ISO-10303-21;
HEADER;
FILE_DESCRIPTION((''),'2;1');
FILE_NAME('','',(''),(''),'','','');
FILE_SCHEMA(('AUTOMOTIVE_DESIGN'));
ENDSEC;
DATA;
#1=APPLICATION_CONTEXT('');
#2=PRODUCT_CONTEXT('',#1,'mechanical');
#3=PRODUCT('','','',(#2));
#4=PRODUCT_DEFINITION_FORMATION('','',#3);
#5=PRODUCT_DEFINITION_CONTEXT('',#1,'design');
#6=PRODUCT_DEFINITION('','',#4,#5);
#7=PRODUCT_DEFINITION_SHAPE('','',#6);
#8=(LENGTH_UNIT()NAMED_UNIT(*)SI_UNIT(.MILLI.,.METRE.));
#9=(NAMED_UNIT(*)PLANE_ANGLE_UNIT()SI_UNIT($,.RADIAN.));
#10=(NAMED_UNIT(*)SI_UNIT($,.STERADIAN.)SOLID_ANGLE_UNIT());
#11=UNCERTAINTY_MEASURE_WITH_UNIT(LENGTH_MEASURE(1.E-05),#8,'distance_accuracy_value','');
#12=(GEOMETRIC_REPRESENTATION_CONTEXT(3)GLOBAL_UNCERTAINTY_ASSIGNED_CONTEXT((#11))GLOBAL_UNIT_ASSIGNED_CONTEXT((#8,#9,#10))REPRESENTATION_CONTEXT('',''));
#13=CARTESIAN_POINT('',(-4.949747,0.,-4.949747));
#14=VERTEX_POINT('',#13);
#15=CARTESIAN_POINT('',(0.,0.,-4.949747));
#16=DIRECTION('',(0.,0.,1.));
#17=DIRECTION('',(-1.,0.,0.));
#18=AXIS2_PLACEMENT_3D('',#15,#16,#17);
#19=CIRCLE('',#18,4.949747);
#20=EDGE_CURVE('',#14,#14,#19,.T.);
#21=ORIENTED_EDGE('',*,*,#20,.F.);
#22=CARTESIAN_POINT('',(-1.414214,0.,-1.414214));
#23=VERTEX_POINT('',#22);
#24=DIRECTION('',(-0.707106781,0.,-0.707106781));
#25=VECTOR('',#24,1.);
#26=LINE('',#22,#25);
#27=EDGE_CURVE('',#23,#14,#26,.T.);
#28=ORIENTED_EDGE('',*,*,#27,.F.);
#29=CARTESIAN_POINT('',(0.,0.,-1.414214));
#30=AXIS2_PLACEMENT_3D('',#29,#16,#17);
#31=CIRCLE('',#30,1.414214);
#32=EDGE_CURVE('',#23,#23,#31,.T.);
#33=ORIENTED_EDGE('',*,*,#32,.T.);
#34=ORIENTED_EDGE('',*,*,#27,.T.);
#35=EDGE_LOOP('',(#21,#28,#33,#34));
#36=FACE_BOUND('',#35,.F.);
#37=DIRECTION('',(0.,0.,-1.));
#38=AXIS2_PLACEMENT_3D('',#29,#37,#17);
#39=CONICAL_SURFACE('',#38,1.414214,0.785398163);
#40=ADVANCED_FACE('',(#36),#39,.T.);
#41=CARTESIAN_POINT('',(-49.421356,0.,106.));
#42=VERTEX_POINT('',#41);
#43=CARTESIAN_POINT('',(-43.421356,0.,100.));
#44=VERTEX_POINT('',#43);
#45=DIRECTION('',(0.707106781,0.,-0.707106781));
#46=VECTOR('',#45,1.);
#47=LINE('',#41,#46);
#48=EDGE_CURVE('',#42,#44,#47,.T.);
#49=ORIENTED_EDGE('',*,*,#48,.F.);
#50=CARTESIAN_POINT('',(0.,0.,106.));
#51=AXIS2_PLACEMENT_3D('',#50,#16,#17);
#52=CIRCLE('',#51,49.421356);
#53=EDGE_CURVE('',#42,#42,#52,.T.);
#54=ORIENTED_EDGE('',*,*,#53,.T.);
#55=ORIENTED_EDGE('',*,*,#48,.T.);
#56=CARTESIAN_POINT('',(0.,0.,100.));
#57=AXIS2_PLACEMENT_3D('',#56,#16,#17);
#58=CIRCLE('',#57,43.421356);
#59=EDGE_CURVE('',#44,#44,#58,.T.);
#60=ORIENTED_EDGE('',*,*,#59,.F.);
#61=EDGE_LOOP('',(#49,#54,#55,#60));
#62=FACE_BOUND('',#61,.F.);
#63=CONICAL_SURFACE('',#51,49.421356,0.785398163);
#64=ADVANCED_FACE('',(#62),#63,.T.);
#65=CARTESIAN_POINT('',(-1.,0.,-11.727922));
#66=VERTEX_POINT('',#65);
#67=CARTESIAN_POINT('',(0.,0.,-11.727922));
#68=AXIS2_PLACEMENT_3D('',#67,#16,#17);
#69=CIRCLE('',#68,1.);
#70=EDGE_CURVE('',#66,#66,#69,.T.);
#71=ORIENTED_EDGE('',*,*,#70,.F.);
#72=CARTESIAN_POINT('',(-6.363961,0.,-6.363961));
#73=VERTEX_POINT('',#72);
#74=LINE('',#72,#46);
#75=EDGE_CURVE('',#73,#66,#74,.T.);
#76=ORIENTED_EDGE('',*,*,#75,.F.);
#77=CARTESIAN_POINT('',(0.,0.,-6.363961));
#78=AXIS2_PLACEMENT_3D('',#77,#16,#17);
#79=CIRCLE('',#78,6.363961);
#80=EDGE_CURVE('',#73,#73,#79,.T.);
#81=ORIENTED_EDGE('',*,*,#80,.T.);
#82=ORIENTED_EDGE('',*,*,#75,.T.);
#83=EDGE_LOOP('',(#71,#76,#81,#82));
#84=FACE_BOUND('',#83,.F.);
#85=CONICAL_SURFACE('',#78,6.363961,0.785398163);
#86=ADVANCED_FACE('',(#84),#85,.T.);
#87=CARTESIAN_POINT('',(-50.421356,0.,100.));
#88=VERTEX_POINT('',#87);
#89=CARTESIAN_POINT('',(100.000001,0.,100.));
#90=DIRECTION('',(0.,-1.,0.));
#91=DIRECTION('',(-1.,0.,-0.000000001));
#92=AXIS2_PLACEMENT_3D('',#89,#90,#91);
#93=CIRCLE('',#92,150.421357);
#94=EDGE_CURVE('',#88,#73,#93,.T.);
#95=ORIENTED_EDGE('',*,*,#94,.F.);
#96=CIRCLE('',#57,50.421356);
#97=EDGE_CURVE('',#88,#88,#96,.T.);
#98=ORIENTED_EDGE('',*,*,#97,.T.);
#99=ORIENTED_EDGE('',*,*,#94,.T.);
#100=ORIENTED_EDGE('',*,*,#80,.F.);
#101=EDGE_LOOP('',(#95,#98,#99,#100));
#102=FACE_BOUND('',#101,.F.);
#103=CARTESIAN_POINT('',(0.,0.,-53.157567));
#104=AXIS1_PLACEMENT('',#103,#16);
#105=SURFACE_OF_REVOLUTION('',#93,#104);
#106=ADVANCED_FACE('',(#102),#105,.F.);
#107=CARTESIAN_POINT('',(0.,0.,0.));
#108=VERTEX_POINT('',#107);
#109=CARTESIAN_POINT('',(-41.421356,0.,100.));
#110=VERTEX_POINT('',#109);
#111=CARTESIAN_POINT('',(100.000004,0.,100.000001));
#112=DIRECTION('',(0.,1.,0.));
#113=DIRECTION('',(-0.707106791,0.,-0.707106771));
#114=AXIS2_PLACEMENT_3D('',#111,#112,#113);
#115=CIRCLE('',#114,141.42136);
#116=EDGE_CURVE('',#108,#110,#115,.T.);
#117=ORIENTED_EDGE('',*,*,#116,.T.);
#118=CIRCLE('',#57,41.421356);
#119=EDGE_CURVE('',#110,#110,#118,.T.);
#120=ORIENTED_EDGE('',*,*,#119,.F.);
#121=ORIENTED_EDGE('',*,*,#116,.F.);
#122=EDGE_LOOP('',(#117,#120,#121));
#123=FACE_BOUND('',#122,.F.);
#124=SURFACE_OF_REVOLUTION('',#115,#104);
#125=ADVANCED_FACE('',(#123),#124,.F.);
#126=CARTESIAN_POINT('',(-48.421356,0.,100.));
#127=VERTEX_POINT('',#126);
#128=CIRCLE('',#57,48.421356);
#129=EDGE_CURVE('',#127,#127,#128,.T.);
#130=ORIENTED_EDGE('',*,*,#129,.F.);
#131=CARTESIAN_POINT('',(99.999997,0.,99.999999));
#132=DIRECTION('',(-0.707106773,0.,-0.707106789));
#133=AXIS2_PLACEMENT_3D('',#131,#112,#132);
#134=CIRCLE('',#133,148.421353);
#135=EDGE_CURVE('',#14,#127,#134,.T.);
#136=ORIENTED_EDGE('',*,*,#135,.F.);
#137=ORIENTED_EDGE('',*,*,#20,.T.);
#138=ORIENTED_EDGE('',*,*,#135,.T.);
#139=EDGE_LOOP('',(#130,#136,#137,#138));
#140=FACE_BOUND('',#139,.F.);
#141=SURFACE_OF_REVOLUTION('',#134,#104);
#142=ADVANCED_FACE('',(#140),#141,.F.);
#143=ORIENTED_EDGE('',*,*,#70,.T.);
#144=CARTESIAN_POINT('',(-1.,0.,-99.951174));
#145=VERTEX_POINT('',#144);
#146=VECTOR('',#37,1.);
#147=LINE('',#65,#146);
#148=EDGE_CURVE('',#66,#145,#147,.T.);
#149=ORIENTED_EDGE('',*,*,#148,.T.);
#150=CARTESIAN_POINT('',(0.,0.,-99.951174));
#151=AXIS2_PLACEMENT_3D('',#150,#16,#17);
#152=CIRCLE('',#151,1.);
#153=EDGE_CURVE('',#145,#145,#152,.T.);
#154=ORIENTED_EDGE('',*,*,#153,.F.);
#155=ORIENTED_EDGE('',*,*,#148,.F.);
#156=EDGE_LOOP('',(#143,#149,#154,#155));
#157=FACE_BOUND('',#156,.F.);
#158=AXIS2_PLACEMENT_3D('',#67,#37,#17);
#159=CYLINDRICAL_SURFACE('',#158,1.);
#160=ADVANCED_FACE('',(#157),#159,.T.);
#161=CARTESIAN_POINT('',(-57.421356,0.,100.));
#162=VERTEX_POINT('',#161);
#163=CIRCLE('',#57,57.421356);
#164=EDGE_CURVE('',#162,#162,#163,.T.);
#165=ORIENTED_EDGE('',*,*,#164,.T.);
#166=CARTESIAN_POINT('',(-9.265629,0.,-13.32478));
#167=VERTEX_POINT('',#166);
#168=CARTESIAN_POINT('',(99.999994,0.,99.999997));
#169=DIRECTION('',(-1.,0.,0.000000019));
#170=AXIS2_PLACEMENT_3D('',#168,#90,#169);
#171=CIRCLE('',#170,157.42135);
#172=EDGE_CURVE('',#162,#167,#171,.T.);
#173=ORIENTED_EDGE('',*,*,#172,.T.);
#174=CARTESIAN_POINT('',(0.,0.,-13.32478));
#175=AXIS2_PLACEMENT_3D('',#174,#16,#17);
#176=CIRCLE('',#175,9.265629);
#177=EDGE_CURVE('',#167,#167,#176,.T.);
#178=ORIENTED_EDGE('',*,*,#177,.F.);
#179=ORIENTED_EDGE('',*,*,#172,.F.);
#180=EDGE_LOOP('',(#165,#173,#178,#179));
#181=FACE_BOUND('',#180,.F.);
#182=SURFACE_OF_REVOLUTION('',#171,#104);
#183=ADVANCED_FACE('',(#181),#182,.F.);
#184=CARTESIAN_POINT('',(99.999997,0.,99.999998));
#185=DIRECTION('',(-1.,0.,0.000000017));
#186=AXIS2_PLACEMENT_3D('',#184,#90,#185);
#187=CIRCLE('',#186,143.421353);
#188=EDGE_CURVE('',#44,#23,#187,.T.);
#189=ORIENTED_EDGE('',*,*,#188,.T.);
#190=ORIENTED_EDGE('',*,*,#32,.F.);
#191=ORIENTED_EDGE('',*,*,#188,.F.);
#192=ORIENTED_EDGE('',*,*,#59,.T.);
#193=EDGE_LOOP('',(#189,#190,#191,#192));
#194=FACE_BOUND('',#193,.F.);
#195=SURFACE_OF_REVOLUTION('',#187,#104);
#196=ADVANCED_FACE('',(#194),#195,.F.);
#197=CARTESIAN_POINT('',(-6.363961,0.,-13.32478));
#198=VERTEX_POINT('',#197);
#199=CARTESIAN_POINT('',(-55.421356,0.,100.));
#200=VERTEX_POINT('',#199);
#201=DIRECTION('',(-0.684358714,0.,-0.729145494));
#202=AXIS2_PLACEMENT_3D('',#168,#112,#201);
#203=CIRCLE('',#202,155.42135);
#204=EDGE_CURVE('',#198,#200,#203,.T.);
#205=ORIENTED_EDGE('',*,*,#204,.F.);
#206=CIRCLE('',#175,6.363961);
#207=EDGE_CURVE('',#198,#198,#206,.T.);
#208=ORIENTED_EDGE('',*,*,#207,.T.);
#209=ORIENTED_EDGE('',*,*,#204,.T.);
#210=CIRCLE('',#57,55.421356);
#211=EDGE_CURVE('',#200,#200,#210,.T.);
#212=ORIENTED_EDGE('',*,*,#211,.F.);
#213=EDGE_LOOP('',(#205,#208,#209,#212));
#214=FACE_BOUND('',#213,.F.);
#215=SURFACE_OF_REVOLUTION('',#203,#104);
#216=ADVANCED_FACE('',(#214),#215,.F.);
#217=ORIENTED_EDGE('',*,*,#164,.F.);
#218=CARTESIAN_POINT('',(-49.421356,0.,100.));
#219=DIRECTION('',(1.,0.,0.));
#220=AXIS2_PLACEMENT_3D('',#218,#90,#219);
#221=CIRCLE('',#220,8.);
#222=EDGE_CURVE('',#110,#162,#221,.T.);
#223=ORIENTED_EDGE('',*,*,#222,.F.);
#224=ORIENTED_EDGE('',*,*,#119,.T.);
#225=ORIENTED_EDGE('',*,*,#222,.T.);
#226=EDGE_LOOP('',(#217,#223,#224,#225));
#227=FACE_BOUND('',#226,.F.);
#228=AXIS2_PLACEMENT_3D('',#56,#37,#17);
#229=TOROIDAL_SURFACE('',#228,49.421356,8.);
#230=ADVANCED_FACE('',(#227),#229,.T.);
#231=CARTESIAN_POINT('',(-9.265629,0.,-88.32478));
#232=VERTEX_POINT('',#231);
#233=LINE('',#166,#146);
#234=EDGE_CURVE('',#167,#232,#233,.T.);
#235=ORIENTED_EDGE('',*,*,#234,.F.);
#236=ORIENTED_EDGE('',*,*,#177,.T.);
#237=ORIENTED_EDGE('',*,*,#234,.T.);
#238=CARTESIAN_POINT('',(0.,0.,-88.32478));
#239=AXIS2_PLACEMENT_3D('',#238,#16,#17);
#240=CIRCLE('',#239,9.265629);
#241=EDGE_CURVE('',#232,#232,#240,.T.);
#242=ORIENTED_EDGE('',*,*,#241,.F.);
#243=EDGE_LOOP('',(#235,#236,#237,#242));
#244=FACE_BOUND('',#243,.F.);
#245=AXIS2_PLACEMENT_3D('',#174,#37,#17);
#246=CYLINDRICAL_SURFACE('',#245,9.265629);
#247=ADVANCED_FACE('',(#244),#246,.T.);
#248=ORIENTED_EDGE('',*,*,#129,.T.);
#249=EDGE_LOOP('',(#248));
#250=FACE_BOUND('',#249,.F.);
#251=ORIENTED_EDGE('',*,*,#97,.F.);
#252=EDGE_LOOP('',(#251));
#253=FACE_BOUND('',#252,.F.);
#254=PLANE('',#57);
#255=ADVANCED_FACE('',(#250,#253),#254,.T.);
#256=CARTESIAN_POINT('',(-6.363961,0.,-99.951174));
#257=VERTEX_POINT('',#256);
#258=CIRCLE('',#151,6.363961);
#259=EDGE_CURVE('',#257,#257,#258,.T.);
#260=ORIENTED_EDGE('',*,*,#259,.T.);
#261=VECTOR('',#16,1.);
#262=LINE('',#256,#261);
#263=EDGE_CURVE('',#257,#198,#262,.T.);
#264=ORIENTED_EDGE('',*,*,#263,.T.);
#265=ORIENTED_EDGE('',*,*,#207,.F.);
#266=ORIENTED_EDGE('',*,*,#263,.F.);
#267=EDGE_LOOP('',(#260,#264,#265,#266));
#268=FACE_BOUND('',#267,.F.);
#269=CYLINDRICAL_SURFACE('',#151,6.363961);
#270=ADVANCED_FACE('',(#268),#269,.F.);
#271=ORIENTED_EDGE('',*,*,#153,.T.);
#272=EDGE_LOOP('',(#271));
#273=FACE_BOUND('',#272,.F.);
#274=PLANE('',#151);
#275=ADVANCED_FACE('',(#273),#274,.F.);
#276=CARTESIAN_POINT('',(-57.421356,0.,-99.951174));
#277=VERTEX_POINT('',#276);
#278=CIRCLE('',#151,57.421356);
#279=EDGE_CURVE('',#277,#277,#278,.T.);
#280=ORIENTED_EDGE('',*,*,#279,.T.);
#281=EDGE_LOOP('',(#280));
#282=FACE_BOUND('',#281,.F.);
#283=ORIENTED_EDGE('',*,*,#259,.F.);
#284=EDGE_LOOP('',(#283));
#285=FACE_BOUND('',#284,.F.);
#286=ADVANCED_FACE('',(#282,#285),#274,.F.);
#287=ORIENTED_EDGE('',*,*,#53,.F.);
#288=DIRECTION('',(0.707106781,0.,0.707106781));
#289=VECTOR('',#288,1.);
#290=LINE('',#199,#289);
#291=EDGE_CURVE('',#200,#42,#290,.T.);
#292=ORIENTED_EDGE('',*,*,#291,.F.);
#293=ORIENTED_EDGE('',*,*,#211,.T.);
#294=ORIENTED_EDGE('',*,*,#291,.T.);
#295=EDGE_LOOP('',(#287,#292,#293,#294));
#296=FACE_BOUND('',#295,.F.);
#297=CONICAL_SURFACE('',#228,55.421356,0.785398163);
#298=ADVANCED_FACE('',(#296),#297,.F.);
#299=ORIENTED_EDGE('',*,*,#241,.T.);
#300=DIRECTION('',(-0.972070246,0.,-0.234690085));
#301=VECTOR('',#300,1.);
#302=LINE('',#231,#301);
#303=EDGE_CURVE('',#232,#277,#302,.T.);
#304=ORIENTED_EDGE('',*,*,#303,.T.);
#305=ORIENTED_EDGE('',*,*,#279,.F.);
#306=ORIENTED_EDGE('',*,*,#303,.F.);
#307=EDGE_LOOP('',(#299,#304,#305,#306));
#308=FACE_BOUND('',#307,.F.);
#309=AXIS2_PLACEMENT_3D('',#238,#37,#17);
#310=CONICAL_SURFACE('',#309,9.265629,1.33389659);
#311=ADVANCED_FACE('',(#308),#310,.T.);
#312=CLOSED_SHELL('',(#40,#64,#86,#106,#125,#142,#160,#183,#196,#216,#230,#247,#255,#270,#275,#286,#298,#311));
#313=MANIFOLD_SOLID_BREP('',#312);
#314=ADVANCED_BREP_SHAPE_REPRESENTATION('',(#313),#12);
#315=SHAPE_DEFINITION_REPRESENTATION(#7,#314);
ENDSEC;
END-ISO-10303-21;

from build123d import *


with BuildPart() as f1:
    # F0 (on Front) → F1 (revolve)
    with BuildSketch(Plane.XZ):
        with BuildLine():
            ThreePointArc((0, 0), (-30.656296, 45.88039), (-41.421356, 100))
            ThreePointArc((-41.421356, 100), (-49.421356, 108), (-57.421356, 100))
            ThreePointArc((-57.421356, 100), (-44.883103, 38.434019), (-9.265629, -13.32478))
            Line((-9.265629, -13.32478), (-9.265629, -88.32478))
            Line((-9.265629, -88.32478), (-57.421356, -99.951174))
            Line((-57.421356, -99.951174), (-6.363961, -99.951174))
            Line((-6.363961, -99.951174), (-6.363961, -13.32478))
            ThreePointArc((-6.363961, -13.32478), (-42.630693, 38.256308), (-55.421356, 100))
            Line((-55.421356, 100), (-49.421356, 106))
            Line((-49.421356, 106), (-43.421356, 100))
            ThreePointArc((-43.421356, 100), (-32.504056, 45.115023), (-1.414214, -1.414214))
            Line((-1.414214, -1.414214), (-4.949747, -4.949747))
            ThreePointArc((-4.949747, -4.949747), (-37.123453, 43.201606), (-48.421356, 100))
            Line((-48.421356, 100), (-50.421356, 100))
            ThreePointArc((-50.421356, 100), (-38.971212, 42.436239), (-6.363961, -6.363961))
            Line((-6.363961, -6.363961), (0, -6.363961))
            Line((0, -6.363961), (0, 0))
        make_face()
        Polygon((0, -99.951174), (0, -6.363961), (-6.363961, -6.363961), (-1, -11.727922), (-1, -99.951174), align=None)
    revolve(axis=Axis((0, 0, -53.157567), (0, 0, 1)))


solid = f1.part
